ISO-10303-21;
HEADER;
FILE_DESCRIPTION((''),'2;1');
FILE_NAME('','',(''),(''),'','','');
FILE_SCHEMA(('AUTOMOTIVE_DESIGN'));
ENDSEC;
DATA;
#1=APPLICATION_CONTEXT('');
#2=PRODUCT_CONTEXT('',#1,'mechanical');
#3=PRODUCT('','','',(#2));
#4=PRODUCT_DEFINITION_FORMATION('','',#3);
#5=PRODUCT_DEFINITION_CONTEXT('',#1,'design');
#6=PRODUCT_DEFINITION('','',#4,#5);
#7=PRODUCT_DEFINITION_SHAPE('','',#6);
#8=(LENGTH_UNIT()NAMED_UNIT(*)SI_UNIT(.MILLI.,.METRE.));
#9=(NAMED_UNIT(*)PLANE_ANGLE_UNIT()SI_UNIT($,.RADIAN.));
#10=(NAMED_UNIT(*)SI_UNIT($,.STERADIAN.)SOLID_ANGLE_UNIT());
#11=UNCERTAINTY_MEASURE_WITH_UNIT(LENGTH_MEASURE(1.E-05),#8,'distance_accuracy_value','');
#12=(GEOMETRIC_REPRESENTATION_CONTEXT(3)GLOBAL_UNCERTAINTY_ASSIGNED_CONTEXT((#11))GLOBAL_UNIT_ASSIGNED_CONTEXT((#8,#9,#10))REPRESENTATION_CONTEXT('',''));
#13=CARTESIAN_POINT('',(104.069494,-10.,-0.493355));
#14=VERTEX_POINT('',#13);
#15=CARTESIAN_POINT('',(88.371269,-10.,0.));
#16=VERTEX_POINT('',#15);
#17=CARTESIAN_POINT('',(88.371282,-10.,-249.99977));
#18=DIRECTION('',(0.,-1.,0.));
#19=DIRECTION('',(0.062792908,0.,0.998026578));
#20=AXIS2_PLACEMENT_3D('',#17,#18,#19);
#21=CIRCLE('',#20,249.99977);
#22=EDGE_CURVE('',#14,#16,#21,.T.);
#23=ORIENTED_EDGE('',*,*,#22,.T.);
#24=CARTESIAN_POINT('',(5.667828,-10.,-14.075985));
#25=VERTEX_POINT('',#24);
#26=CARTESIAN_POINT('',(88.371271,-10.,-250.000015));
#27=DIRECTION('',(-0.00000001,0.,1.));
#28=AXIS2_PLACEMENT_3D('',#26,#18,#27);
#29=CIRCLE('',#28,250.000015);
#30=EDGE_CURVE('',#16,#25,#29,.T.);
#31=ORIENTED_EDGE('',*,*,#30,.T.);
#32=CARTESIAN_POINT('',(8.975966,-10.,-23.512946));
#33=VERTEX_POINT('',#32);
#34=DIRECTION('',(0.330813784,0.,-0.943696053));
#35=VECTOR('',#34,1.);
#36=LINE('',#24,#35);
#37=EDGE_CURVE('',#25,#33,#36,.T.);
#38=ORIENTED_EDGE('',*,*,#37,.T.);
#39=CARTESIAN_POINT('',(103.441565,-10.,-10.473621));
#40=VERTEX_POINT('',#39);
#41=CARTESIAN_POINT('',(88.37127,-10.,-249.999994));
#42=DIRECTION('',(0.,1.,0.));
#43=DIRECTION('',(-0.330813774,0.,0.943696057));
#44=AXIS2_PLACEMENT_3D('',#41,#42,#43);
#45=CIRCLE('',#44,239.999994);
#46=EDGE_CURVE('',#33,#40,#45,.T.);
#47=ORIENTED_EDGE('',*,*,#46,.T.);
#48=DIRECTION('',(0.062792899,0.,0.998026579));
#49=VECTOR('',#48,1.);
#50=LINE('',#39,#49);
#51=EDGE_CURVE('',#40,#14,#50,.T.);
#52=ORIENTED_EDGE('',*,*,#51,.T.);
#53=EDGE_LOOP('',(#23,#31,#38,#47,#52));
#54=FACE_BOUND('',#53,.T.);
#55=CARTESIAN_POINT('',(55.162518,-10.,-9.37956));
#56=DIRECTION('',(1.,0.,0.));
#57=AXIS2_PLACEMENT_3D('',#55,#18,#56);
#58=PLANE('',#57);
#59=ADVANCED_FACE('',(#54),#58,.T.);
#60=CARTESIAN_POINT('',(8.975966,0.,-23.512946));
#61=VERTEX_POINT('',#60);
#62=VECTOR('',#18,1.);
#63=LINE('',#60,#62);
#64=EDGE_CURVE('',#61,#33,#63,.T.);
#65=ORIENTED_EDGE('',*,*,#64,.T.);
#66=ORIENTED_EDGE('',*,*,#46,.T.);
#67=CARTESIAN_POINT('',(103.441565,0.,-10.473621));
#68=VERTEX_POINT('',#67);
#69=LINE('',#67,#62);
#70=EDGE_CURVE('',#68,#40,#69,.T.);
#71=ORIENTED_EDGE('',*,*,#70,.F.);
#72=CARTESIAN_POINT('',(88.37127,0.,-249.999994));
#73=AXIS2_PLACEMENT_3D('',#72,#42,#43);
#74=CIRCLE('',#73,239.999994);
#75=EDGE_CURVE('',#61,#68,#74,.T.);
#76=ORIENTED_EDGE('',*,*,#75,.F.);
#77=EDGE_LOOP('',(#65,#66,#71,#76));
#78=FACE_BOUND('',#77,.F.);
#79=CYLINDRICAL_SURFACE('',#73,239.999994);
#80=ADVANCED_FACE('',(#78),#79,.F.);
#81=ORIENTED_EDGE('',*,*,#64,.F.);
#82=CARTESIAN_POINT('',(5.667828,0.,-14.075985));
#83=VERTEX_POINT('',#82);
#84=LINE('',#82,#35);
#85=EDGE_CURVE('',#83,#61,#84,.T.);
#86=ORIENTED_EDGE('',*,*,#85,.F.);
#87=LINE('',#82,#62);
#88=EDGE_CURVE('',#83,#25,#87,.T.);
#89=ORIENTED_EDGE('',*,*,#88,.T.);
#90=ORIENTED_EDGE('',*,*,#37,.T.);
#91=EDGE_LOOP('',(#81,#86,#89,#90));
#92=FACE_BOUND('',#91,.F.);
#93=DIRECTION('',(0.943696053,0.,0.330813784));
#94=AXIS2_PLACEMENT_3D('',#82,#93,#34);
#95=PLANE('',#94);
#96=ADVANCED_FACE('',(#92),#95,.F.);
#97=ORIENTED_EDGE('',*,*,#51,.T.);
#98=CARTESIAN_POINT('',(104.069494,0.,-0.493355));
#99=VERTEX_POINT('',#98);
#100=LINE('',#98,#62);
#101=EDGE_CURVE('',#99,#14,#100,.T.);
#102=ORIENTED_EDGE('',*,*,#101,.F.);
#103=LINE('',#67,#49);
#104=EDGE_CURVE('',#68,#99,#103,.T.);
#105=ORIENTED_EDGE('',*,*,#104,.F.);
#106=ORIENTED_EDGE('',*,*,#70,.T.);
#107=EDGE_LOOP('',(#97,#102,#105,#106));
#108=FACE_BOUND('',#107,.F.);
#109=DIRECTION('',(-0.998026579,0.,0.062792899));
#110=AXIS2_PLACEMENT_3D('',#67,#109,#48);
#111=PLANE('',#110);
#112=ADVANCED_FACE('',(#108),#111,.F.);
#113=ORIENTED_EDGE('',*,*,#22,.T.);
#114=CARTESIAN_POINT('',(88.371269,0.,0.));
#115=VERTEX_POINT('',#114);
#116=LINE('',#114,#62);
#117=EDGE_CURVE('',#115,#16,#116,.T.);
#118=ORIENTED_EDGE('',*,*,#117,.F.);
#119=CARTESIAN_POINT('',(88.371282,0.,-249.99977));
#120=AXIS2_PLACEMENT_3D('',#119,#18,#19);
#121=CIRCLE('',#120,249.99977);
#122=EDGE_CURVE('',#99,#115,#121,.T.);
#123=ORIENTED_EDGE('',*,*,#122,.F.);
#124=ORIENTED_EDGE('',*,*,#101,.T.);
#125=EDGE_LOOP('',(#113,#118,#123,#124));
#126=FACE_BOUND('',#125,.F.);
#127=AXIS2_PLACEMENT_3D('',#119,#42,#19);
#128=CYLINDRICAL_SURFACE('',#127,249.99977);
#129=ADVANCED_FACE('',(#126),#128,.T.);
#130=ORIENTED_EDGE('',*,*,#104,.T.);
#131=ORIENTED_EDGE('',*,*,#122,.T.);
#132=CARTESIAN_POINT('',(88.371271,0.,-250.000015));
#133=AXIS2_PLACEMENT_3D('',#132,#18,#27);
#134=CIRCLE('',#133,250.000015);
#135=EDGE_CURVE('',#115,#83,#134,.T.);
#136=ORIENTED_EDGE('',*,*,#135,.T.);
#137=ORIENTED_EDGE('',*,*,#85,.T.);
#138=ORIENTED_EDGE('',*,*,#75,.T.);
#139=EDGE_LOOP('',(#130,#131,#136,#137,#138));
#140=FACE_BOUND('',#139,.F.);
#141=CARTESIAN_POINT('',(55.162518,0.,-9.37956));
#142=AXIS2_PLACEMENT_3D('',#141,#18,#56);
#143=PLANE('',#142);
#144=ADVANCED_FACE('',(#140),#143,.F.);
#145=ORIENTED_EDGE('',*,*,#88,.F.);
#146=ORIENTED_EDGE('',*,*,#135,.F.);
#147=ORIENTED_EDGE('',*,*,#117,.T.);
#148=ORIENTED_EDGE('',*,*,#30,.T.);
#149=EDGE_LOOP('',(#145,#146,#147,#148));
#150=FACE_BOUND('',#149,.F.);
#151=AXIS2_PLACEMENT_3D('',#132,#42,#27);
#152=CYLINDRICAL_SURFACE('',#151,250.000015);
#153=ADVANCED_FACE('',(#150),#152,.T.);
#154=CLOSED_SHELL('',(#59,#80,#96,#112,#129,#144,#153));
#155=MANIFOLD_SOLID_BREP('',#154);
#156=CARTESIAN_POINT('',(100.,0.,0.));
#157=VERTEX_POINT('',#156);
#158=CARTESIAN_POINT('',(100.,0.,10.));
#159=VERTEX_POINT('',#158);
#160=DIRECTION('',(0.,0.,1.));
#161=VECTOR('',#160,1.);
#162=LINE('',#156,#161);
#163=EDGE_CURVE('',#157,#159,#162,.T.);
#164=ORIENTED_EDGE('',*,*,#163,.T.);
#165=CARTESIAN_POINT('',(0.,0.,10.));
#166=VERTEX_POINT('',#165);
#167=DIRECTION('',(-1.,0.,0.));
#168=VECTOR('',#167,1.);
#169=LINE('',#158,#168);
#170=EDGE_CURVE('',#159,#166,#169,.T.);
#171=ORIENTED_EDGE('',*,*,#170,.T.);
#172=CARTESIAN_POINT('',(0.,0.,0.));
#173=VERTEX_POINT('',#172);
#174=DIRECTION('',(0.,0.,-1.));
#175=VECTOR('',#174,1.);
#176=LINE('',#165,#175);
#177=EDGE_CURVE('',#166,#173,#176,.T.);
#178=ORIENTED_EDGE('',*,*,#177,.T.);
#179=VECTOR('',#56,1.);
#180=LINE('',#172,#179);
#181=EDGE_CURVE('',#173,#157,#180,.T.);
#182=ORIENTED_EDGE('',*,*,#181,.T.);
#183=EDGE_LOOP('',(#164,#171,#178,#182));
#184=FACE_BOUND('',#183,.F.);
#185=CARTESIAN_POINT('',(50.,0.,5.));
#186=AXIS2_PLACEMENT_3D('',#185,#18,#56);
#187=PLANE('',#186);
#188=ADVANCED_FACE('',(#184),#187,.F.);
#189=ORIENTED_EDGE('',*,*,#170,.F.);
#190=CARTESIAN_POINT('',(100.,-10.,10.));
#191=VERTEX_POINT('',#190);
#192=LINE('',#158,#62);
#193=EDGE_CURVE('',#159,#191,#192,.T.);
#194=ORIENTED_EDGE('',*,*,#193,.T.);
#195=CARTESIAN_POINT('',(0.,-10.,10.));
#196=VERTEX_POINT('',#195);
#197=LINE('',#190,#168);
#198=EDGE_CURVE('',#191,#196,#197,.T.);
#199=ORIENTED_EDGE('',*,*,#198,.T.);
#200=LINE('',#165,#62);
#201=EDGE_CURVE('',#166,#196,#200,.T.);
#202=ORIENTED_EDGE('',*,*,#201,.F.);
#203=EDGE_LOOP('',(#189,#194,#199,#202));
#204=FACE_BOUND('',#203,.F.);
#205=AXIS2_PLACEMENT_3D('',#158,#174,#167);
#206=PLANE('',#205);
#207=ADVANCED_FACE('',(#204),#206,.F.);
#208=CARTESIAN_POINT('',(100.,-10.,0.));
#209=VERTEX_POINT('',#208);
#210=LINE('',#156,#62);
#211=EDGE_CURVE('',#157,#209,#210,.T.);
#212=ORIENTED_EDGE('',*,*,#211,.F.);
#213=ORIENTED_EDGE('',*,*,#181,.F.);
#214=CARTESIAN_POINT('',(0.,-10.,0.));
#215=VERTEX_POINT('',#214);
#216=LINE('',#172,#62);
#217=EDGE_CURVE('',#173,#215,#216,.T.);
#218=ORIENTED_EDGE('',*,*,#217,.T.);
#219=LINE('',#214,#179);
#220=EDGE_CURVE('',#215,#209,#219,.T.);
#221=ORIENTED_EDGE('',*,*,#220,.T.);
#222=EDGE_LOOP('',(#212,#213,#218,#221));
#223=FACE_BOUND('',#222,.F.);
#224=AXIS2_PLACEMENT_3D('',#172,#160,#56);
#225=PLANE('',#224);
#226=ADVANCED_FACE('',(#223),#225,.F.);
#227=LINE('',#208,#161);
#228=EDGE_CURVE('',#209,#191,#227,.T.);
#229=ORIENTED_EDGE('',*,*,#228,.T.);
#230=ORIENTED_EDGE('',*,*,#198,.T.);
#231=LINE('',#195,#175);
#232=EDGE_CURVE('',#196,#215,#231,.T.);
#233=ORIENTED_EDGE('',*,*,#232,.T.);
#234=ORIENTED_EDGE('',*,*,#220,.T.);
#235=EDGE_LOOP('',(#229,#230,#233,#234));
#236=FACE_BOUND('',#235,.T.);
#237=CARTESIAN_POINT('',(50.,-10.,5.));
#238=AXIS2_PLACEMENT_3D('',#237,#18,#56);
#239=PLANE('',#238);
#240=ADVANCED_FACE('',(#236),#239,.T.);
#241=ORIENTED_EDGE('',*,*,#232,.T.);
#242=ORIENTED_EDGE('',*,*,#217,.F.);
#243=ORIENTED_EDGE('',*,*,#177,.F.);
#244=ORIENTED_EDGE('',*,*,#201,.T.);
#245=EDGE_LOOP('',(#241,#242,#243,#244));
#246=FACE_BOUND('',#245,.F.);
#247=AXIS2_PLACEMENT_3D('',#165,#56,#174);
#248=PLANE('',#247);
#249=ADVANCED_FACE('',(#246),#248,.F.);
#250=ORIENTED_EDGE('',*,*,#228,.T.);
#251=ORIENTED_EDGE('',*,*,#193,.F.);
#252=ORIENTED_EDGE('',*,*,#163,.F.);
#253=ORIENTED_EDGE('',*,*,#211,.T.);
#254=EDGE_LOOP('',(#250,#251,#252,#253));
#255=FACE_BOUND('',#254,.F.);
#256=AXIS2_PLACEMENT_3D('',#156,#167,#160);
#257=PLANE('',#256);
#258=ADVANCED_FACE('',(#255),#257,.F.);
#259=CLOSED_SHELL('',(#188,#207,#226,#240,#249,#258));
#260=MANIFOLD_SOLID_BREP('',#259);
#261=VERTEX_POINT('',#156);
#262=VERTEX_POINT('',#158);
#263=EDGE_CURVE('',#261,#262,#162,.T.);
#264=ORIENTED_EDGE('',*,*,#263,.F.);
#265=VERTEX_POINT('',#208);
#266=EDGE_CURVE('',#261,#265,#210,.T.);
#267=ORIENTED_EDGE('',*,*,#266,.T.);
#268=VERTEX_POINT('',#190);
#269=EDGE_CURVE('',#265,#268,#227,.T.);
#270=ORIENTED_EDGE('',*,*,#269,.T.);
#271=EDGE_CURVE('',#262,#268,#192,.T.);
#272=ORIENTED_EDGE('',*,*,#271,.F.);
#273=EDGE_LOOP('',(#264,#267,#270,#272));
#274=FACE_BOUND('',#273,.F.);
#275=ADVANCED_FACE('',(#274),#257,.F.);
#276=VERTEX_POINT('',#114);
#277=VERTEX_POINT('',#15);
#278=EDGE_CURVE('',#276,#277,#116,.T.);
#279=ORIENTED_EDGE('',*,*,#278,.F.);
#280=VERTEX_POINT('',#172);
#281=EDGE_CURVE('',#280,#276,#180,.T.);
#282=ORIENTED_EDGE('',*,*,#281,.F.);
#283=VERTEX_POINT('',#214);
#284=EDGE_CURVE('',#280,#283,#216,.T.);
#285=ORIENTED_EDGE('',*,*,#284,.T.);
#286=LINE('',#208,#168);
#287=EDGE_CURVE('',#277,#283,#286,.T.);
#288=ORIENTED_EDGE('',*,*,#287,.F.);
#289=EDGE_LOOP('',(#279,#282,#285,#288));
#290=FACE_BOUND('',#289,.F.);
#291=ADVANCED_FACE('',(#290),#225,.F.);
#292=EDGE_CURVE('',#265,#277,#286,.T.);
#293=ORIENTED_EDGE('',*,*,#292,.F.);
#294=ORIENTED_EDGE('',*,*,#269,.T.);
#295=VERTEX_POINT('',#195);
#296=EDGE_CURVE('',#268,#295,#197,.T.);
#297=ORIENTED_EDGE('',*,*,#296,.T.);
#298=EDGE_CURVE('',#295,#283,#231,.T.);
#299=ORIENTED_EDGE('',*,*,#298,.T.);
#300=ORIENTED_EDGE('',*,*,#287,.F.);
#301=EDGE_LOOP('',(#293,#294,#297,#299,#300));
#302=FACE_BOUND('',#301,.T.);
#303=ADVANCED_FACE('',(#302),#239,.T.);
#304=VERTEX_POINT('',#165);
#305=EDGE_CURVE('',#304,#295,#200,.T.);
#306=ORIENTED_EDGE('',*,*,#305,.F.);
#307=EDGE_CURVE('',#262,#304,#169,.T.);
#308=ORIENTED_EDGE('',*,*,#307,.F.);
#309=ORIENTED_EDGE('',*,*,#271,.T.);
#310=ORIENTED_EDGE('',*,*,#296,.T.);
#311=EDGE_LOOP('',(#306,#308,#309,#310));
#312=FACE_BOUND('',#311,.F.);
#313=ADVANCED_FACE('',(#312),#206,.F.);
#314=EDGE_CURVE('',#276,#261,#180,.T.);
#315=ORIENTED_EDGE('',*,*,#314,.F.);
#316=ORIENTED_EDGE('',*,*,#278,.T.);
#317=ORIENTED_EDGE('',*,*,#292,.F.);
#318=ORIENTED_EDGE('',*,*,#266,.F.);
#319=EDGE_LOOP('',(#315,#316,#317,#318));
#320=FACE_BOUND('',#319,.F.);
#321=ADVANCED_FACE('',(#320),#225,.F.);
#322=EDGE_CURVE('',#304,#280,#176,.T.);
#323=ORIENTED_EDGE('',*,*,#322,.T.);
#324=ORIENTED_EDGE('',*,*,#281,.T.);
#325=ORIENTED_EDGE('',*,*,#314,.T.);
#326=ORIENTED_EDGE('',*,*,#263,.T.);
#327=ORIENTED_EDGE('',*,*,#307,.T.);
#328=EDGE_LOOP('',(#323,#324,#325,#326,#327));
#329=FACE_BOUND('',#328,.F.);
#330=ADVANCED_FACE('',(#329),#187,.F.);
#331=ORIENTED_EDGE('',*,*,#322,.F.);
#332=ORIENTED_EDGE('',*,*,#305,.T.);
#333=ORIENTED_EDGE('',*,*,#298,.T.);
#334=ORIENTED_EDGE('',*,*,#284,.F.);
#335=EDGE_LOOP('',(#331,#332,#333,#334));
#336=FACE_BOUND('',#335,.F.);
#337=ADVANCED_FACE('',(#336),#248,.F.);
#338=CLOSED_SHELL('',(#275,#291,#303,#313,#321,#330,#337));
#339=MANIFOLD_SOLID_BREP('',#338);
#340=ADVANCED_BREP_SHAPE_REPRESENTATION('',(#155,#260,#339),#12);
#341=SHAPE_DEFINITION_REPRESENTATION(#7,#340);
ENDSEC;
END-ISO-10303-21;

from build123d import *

# Parameters (mm, degrees)
F1_DEPTH = 10
F2_DEPTH = 10


with BuildPart() as f1:
    # F0 (on Front) → F1 (new body)
    with BuildSketch(Plane.XZ):
        Polygon((0, 10), (0, 0), (88.371269, 0), (100, 0), (100, 10), align=None)
    extrude(amount=F1_DEPTH)


with BuildPart() as f2:
    # F0 (on Front) → F2 (new body)
    with BuildSketch(Plane.XZ):
        Polygon((0, 10), (0, 0), (88.371269, 0), (100, 0), (100, 10), align=None)
        with BuildLine():
            ThreePointArc((104.069494, -0.493355), (96.224257, -0.123369), (88.371269, 0))
            ThreePointArc((88.371269, 0), (46.424897, -3.544118), (5.667828, -14.075985))
            Line((5.667828, -14.075985), (8.975966, -23.512946))
            ThreePointArc((8.975966, -23.512946), (55.554617, -12.254196), (103.441565, -10.473621))
            Line((103.441565, -10.473621), (104.069494, -0.493355))
        make_face()
    extrude(amount=F2_DEPTH)


solid = Compound([f1.part, f2.part])
